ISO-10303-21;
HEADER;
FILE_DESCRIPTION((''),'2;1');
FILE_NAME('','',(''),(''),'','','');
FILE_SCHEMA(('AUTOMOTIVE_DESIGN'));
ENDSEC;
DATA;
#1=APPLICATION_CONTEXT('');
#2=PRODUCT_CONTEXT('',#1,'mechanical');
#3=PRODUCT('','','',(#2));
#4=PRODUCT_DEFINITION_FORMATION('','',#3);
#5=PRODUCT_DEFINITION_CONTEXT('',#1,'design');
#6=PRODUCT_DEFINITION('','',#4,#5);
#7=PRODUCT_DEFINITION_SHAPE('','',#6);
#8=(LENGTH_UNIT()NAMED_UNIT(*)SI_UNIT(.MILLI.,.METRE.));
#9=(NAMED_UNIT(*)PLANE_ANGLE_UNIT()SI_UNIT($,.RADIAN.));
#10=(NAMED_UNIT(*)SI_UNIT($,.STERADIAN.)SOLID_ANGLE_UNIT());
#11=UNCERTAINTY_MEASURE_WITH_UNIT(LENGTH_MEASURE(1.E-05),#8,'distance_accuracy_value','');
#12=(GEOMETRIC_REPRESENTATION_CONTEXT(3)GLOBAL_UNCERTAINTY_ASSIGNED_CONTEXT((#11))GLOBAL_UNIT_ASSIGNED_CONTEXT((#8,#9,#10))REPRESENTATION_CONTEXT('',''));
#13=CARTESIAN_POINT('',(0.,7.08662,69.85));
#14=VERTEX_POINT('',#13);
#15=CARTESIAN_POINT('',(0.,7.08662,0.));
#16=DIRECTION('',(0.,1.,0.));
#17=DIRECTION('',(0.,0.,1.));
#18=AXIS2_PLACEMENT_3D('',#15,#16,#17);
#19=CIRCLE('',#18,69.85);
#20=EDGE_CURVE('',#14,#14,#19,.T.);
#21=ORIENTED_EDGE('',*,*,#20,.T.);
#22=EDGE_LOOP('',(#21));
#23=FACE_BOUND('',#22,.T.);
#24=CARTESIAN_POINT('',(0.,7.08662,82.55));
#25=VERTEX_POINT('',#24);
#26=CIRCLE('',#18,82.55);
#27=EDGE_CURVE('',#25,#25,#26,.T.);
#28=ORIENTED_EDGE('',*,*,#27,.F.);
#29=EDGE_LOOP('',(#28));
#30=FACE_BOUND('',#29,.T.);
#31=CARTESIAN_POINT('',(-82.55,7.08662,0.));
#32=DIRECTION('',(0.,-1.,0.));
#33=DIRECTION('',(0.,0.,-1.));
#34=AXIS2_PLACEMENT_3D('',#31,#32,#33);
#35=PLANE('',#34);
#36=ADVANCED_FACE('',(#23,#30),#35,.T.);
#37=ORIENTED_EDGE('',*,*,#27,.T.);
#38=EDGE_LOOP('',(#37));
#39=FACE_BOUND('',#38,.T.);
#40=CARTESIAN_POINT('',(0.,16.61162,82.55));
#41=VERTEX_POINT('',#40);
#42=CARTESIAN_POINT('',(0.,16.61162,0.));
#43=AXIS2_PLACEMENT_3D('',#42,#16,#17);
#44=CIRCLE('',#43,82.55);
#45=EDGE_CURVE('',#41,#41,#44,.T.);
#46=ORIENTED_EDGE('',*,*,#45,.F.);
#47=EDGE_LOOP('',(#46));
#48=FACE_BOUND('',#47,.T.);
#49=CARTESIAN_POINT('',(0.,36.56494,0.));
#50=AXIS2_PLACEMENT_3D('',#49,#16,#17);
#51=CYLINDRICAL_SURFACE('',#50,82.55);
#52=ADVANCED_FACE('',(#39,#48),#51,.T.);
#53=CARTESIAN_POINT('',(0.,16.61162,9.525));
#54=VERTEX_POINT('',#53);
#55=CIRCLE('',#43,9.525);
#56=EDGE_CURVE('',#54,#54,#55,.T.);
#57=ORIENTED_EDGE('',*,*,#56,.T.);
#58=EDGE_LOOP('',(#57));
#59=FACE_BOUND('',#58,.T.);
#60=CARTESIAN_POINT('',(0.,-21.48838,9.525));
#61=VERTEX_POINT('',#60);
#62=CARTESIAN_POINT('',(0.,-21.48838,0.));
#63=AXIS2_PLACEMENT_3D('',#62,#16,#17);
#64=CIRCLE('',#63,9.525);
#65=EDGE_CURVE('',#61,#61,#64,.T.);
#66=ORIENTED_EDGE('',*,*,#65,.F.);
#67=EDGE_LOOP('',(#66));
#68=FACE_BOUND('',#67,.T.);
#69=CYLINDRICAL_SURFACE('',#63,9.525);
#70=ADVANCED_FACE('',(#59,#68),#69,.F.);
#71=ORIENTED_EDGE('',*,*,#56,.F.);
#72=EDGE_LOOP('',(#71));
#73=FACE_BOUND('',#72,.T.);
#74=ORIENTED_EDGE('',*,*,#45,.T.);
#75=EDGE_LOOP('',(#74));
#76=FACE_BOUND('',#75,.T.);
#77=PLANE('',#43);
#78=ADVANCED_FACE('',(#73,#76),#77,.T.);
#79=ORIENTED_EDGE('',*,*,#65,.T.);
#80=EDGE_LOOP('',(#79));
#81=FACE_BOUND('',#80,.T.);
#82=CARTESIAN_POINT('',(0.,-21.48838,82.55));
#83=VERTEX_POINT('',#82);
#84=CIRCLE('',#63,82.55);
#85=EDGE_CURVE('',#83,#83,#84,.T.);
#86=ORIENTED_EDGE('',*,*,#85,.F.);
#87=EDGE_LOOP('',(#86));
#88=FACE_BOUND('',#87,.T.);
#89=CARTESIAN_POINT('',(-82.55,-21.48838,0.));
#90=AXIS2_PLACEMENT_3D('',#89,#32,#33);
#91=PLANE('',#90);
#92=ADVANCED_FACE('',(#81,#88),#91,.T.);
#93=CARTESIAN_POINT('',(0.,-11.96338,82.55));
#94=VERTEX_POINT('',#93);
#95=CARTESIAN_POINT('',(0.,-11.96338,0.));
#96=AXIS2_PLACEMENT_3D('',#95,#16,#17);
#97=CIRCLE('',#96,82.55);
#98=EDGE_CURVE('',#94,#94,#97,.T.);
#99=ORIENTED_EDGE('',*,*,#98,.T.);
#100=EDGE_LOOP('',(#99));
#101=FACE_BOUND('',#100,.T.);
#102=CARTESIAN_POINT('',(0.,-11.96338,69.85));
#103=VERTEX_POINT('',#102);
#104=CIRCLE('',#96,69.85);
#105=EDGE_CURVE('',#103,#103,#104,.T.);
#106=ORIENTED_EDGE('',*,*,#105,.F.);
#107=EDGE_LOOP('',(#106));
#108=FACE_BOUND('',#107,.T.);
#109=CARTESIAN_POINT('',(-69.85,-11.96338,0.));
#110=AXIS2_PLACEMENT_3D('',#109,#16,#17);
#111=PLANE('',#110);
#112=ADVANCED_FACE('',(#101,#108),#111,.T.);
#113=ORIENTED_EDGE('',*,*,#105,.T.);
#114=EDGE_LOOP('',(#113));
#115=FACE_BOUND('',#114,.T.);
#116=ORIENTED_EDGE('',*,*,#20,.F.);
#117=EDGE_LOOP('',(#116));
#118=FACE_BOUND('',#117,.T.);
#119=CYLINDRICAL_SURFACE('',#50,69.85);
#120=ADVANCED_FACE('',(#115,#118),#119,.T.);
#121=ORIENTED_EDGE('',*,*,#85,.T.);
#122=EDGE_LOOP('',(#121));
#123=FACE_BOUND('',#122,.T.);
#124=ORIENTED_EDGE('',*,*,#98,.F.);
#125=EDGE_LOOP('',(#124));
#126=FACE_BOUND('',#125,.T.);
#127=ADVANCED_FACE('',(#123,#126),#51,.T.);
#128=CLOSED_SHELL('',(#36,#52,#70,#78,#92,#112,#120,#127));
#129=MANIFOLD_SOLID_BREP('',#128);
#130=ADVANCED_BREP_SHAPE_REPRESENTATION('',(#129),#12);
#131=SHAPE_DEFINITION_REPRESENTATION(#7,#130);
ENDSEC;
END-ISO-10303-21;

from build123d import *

# Parameters (mm, degrees)
SKETCH4_R          = 9.525
CUT_EXTRUDE1_DEPTH = 123.803155497


with BuildPart() as part:
    # Sketch2 → Revolve1 (revolve)
    with BuildSketch(Plane.XY, mode=Mode.PRIVATE) as revolve1_sk:
        Polygon((0, 16.611620209), (-82.55, 16.611620209), (-82.55, 7.086620209), (-69.85, 7.086620209), (-69.85, -11.963379791), (-82.55, -11.963379791), (-82.55, -21.488379791), (0, -21.488379791), align=None)
    revolve(revolve1_sk.sketch.rotate(Axis((0, 36.56493994, 0), (0, -1, 0)), 270), axis=Axis((0, 36.56493994, 0), (0, -1, 0)))

    # Sketch4 → Cut-Extrude1 (cut, through all)
    with BuildSketch(Plane(origin=(0, 16.611620209, 0), x_dir=(1, 0, 0), z_dir=(0, 1, 0))):
        with Locations(Location((0, 0, 0), (0, 0, 270))):
            Circle(SKETCH4_R)
    extrude(amount=-CUT_EXTRUDE1_DEPTH, mode=Mode.SUBTRACT)


solid = part.part
